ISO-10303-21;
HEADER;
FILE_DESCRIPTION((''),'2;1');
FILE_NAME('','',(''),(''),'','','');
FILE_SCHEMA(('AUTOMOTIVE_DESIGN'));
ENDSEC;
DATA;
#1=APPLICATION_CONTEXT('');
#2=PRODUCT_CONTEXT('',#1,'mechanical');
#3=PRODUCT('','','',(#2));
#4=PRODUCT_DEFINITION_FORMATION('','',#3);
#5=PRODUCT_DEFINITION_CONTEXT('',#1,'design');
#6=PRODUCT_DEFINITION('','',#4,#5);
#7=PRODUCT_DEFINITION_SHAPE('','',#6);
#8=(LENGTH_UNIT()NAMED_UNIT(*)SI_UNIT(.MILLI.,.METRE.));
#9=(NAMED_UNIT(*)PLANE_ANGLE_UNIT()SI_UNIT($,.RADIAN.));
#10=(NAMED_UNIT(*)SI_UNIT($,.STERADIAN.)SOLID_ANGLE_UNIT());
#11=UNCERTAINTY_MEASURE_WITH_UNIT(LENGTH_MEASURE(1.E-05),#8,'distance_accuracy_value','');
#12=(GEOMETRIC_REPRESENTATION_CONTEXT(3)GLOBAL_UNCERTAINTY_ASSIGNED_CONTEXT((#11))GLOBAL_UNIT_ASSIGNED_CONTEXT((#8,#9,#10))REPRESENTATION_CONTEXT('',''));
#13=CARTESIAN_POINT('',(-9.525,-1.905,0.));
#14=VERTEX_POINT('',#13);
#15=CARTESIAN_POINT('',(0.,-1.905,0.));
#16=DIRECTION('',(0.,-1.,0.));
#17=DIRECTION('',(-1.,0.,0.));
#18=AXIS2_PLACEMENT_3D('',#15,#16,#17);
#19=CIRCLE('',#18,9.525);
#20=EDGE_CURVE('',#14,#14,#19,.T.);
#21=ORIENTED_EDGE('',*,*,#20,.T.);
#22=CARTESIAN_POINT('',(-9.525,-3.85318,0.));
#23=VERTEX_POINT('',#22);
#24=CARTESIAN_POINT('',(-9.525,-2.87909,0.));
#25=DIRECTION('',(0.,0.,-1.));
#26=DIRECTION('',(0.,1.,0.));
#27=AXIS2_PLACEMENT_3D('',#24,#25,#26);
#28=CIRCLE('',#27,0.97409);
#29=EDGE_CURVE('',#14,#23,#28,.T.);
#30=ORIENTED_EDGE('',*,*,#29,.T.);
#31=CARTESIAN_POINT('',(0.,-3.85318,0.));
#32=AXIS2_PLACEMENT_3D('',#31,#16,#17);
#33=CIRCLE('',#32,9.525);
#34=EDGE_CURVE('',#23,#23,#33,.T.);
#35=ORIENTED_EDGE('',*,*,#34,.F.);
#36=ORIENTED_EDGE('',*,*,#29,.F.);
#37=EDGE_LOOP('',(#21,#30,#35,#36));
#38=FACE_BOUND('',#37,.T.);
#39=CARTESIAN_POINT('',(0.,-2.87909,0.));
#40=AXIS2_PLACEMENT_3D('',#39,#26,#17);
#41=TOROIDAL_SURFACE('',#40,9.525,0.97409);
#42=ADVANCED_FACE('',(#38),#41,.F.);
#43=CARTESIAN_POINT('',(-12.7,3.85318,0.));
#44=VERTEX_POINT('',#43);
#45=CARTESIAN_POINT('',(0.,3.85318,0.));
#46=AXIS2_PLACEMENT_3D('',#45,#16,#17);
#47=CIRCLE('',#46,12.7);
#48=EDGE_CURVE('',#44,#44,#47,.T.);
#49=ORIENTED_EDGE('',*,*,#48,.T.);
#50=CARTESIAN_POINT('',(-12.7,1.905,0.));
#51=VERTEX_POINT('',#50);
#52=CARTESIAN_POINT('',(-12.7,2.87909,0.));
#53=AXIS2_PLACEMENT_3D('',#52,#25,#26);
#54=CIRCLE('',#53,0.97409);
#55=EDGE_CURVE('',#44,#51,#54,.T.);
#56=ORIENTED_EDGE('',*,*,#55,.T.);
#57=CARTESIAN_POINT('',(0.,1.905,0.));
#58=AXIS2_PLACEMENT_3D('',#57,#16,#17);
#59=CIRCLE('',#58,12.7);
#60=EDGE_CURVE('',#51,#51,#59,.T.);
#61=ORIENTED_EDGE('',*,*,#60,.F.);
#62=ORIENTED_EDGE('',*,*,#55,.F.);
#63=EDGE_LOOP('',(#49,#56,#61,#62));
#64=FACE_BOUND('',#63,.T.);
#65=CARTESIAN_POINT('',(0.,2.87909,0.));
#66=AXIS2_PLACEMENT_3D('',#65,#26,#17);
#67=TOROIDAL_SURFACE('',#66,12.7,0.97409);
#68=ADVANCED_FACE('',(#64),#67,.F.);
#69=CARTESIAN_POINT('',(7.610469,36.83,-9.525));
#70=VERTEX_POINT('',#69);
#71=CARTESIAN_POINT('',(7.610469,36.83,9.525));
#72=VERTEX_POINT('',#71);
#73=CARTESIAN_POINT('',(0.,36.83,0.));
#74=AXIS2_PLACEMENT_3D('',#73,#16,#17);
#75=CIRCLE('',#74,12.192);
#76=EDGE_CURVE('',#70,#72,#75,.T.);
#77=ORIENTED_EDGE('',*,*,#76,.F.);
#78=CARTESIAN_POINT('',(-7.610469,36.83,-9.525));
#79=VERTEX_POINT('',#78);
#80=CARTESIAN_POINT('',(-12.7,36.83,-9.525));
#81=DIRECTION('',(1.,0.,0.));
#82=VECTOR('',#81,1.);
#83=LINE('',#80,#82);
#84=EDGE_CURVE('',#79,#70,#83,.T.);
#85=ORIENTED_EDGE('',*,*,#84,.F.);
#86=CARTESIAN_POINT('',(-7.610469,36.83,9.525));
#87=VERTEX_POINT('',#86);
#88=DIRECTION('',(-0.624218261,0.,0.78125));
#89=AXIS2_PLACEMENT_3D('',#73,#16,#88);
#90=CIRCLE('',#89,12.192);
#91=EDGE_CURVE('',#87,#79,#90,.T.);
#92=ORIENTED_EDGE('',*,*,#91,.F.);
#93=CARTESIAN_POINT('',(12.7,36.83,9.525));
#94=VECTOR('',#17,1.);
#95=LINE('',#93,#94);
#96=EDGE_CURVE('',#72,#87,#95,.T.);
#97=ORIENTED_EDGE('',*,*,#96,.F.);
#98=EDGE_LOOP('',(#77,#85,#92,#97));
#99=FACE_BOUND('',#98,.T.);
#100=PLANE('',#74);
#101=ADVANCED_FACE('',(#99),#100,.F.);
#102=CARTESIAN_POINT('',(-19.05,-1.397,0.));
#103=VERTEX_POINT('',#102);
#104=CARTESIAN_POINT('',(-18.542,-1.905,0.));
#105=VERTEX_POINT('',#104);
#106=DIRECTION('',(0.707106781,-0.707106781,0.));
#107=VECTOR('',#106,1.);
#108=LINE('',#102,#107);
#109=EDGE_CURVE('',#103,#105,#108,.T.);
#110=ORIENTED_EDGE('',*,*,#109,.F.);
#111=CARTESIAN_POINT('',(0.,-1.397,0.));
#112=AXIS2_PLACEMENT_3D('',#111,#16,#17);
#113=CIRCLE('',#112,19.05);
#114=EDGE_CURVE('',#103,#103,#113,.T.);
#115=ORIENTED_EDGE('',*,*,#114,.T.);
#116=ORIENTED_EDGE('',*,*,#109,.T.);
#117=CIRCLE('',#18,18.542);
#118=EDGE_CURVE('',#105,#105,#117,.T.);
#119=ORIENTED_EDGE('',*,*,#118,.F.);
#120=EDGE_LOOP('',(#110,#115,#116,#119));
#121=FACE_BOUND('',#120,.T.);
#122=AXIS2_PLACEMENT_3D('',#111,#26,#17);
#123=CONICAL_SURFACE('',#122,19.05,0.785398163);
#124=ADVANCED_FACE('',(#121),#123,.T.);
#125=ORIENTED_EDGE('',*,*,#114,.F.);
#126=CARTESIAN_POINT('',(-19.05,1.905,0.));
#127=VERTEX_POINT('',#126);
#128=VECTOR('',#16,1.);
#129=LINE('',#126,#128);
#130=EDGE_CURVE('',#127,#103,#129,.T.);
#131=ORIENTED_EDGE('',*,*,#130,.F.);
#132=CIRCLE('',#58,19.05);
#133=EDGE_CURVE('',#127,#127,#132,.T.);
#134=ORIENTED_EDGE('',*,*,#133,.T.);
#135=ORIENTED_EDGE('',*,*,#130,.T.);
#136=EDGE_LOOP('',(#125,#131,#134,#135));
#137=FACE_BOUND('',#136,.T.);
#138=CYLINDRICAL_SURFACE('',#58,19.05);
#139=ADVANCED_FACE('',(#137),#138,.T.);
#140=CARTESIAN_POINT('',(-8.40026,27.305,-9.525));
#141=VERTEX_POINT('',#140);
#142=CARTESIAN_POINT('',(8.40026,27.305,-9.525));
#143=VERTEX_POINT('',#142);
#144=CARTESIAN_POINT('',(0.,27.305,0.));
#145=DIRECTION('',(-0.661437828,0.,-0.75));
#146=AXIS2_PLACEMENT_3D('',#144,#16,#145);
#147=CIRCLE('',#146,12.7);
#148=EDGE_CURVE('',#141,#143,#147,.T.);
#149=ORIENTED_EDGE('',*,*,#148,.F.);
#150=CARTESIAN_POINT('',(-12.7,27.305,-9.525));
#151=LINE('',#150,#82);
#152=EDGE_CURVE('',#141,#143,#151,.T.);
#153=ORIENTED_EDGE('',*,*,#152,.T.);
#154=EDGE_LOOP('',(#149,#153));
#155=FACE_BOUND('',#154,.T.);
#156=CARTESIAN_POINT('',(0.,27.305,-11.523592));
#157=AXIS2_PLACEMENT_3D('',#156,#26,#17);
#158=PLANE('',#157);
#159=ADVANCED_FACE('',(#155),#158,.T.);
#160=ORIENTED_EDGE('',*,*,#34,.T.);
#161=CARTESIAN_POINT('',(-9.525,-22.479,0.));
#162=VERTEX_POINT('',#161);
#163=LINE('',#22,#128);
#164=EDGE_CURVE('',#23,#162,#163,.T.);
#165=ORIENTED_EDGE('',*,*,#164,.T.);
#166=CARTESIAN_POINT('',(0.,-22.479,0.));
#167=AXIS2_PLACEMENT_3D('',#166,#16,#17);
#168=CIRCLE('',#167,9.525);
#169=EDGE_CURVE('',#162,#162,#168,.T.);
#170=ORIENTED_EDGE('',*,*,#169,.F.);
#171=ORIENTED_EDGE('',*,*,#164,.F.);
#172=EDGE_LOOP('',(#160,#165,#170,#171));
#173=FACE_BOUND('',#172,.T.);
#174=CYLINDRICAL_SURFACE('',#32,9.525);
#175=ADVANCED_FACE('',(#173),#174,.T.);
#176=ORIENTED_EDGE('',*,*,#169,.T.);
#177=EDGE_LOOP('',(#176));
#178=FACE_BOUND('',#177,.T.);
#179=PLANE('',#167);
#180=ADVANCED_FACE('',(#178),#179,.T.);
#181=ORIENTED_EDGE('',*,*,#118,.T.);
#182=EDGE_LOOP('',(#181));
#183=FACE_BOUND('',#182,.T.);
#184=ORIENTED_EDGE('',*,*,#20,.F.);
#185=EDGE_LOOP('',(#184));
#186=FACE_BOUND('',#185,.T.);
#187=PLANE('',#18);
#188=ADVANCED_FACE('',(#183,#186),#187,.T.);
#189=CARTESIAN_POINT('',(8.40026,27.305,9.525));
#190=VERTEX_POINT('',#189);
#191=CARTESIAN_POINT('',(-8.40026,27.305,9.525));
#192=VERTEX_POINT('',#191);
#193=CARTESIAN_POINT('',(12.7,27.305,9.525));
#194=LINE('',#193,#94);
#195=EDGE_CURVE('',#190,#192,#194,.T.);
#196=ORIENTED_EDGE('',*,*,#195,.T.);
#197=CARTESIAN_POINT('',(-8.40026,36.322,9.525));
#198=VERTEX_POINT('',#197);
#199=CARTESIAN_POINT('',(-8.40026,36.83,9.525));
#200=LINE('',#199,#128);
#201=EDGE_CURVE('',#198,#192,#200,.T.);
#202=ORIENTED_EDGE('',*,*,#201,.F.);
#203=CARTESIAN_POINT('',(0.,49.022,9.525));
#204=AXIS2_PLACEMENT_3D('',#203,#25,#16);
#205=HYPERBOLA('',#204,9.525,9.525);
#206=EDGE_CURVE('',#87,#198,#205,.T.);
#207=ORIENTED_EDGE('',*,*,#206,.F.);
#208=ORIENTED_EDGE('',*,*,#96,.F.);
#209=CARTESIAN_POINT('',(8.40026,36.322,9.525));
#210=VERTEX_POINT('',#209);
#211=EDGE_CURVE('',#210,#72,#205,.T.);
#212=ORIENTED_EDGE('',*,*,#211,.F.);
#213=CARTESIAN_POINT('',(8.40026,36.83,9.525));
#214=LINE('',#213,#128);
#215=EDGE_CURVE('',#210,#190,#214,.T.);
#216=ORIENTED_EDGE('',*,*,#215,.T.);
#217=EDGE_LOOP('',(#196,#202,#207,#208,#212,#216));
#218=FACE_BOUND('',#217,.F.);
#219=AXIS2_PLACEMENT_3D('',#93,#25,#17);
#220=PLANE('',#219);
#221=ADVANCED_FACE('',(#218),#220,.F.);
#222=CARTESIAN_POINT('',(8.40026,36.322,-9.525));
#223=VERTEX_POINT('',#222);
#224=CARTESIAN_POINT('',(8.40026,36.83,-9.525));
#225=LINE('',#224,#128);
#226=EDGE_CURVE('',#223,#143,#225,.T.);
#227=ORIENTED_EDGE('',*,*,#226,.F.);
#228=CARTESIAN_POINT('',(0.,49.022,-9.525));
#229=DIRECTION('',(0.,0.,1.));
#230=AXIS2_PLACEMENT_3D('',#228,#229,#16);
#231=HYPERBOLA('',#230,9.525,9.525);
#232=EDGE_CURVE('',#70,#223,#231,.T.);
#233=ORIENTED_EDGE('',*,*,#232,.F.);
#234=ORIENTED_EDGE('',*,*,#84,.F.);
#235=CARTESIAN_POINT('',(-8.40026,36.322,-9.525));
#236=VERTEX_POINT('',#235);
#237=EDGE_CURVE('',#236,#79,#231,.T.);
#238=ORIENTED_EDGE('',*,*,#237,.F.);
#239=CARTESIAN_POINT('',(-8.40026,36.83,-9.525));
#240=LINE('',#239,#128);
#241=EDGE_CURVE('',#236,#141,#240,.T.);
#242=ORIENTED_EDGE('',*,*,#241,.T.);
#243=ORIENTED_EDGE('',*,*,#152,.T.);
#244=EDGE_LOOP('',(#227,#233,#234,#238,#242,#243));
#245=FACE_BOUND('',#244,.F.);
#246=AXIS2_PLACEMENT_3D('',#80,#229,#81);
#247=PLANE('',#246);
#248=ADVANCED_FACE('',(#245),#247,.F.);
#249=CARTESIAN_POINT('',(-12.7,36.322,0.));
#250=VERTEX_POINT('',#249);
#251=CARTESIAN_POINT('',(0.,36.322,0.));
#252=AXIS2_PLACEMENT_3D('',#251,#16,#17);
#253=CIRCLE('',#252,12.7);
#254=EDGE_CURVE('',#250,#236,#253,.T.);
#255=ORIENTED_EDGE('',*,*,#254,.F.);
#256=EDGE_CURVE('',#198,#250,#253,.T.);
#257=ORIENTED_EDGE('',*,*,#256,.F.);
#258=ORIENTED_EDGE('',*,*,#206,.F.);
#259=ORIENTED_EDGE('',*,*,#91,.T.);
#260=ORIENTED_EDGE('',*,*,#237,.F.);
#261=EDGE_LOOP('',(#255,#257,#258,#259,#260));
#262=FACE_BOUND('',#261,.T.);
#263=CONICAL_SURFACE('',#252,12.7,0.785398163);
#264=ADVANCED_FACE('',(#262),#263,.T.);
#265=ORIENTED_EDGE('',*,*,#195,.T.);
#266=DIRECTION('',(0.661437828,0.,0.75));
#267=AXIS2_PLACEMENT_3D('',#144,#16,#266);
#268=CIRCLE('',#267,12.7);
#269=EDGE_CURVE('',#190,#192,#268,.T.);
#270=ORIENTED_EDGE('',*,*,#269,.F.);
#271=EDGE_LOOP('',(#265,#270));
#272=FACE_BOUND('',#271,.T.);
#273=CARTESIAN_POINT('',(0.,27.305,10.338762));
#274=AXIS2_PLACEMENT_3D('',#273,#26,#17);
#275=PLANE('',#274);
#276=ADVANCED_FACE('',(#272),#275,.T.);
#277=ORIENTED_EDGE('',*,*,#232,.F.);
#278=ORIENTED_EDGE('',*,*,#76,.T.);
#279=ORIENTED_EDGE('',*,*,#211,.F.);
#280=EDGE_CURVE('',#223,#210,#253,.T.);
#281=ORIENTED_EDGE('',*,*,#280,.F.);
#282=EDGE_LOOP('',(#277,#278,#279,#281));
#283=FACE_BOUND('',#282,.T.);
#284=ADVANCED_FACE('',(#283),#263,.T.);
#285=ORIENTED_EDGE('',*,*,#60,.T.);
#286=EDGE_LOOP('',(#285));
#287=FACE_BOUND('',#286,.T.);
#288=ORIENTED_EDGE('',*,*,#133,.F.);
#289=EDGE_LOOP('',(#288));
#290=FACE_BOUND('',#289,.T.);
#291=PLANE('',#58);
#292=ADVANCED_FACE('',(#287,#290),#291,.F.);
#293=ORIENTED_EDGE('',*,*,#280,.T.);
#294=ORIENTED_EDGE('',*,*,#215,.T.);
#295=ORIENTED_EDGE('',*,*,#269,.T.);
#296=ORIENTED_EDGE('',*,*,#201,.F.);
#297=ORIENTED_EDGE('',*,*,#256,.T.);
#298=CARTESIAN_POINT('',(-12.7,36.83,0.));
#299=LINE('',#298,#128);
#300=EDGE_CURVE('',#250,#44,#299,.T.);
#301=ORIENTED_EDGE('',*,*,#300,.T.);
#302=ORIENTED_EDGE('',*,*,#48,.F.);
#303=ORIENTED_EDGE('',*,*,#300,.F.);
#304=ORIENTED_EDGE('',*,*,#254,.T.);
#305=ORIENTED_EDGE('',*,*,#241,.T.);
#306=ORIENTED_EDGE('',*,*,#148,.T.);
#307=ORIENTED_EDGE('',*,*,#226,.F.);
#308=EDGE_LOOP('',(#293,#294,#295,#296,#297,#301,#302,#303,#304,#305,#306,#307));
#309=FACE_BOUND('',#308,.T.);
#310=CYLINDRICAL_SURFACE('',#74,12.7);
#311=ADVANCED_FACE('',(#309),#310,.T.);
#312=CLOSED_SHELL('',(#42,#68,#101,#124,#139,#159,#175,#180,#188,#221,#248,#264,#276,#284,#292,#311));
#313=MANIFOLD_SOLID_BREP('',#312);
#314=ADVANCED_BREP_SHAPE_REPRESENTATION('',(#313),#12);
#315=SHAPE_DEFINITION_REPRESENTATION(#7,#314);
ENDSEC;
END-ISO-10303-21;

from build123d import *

# Parameters (mm, degrees)
F2_SIZE  = 0.508
F3_SIZE  = 0.508
F5_DEPTH = 9.525


with BuildPart() as f1:
    # F0 (on Top) → F1 (revolve)
    with BuildSketch(Plane.XY):
        Polygon((-9.525, -1.905), (0, -1.905), (0, 1.905), (-12.7, 1.905), (-19.05, 1.905), (-19.05, -1.905), align=None)
        with BuildLine():
            Line((0, -22.479), (0, -1.905))
            Line((0, -1.905), (-9.525, -1.905))
            ThreePointArc((-9.525, -1.905), (-8.55091, -2.87909), (-9.525, -3.85318))
            Line((-9.525, -3.85318), (-9.525, -22.479))
            Line((-9.525, -22.479), (0, -22.479))
        make_face()
        with BuildLine():
            Line((-12.7, 1.905), (0, 1.905))
            Line((0, 1.905), (0, 36.83))
            Line((0, 36.83), (-12.7, 36.83))
            Line((-12.7, 36.83), (-12.7, 3.85318))
            ThreePointArc((-12.7, 3.85318), (-11.72591, 2.87909), (-12.7, 1.905))
        make_face()
    revolve(axis=Axis((0, 7.1755, 0), (0, -1, 0)))

    # F2
    f2_edges = [f1.edges().sort_by_distance(p)[0] for p in [
        (12.7, 36.83, 0),
    ]]
    chamfer(f2_edges, length=F2_SIZE)

    # F3
    f3_edges = [f1.edges().sort_by_distance(p)[0] for p in [
        (19.05, -1.905, 0),
    ]]
    chamfer(f3_edges, length=F3_SIZE)

    # F4 (on face) → F5 (cut)
    with BuildSketch(Plane(origin=(0, 36.83, 0), x_dir=(-1, 0, 0), z_dir=(0, 1, 0))):
        with BuildLine():
            Line((-7.6104690394, 9.525), (7.6104690394, 9.525))
            ThreePointArc((7.6104690394, 9.525), (0, 12.192), (-7.6104690394, 9.525))
        make_face()
        with BuildLine():
            Line((7.6104690394, 9.525), (12.7, 9.525))
            Line((12.7, 9.525), (12.7, 12.7))
            Line((12.7, 12.7), (-12.7, 12.7))
            Line((-12.7, 12.7), (-12.7, 9.525))
            Line((-12.7, 9.525), (-7.6104690394, 9.525))
            ThreePointArc((-7.6104690394, 9.525), (0, 12.192), (7.6104690394, 9.525))
        make_face()
        with BuildLine():
            Line((-12.7, -12.7), (12.7, -12.7))
            Line((12.7, -12.7), (12.7, -9.525))
            Line((12.7, -9.525), (7.6104690394, -9.525))
            ThreePointArc((7.6104690394, -9.525), (0, -12.192), (-7.6104690394, -9.525))
            Line((-7.6104690394, -9.525), (-12.7, -9.525))
            Line((-12.7, -9.525), (-12.7, -12.7))
        make_face()
        with BuildLine():
            ThreePointArc((-7.6104690394, -9.525), (0, -12.192), (7.6104690394, -9.525))
            Line((7.6104690394, -9.525), (-7.6104690394, -9.525))
        make_face()
    extrude(amount=-F5_DEPTH, mode=Mode.SUBTRACT)


solid = f1.part
